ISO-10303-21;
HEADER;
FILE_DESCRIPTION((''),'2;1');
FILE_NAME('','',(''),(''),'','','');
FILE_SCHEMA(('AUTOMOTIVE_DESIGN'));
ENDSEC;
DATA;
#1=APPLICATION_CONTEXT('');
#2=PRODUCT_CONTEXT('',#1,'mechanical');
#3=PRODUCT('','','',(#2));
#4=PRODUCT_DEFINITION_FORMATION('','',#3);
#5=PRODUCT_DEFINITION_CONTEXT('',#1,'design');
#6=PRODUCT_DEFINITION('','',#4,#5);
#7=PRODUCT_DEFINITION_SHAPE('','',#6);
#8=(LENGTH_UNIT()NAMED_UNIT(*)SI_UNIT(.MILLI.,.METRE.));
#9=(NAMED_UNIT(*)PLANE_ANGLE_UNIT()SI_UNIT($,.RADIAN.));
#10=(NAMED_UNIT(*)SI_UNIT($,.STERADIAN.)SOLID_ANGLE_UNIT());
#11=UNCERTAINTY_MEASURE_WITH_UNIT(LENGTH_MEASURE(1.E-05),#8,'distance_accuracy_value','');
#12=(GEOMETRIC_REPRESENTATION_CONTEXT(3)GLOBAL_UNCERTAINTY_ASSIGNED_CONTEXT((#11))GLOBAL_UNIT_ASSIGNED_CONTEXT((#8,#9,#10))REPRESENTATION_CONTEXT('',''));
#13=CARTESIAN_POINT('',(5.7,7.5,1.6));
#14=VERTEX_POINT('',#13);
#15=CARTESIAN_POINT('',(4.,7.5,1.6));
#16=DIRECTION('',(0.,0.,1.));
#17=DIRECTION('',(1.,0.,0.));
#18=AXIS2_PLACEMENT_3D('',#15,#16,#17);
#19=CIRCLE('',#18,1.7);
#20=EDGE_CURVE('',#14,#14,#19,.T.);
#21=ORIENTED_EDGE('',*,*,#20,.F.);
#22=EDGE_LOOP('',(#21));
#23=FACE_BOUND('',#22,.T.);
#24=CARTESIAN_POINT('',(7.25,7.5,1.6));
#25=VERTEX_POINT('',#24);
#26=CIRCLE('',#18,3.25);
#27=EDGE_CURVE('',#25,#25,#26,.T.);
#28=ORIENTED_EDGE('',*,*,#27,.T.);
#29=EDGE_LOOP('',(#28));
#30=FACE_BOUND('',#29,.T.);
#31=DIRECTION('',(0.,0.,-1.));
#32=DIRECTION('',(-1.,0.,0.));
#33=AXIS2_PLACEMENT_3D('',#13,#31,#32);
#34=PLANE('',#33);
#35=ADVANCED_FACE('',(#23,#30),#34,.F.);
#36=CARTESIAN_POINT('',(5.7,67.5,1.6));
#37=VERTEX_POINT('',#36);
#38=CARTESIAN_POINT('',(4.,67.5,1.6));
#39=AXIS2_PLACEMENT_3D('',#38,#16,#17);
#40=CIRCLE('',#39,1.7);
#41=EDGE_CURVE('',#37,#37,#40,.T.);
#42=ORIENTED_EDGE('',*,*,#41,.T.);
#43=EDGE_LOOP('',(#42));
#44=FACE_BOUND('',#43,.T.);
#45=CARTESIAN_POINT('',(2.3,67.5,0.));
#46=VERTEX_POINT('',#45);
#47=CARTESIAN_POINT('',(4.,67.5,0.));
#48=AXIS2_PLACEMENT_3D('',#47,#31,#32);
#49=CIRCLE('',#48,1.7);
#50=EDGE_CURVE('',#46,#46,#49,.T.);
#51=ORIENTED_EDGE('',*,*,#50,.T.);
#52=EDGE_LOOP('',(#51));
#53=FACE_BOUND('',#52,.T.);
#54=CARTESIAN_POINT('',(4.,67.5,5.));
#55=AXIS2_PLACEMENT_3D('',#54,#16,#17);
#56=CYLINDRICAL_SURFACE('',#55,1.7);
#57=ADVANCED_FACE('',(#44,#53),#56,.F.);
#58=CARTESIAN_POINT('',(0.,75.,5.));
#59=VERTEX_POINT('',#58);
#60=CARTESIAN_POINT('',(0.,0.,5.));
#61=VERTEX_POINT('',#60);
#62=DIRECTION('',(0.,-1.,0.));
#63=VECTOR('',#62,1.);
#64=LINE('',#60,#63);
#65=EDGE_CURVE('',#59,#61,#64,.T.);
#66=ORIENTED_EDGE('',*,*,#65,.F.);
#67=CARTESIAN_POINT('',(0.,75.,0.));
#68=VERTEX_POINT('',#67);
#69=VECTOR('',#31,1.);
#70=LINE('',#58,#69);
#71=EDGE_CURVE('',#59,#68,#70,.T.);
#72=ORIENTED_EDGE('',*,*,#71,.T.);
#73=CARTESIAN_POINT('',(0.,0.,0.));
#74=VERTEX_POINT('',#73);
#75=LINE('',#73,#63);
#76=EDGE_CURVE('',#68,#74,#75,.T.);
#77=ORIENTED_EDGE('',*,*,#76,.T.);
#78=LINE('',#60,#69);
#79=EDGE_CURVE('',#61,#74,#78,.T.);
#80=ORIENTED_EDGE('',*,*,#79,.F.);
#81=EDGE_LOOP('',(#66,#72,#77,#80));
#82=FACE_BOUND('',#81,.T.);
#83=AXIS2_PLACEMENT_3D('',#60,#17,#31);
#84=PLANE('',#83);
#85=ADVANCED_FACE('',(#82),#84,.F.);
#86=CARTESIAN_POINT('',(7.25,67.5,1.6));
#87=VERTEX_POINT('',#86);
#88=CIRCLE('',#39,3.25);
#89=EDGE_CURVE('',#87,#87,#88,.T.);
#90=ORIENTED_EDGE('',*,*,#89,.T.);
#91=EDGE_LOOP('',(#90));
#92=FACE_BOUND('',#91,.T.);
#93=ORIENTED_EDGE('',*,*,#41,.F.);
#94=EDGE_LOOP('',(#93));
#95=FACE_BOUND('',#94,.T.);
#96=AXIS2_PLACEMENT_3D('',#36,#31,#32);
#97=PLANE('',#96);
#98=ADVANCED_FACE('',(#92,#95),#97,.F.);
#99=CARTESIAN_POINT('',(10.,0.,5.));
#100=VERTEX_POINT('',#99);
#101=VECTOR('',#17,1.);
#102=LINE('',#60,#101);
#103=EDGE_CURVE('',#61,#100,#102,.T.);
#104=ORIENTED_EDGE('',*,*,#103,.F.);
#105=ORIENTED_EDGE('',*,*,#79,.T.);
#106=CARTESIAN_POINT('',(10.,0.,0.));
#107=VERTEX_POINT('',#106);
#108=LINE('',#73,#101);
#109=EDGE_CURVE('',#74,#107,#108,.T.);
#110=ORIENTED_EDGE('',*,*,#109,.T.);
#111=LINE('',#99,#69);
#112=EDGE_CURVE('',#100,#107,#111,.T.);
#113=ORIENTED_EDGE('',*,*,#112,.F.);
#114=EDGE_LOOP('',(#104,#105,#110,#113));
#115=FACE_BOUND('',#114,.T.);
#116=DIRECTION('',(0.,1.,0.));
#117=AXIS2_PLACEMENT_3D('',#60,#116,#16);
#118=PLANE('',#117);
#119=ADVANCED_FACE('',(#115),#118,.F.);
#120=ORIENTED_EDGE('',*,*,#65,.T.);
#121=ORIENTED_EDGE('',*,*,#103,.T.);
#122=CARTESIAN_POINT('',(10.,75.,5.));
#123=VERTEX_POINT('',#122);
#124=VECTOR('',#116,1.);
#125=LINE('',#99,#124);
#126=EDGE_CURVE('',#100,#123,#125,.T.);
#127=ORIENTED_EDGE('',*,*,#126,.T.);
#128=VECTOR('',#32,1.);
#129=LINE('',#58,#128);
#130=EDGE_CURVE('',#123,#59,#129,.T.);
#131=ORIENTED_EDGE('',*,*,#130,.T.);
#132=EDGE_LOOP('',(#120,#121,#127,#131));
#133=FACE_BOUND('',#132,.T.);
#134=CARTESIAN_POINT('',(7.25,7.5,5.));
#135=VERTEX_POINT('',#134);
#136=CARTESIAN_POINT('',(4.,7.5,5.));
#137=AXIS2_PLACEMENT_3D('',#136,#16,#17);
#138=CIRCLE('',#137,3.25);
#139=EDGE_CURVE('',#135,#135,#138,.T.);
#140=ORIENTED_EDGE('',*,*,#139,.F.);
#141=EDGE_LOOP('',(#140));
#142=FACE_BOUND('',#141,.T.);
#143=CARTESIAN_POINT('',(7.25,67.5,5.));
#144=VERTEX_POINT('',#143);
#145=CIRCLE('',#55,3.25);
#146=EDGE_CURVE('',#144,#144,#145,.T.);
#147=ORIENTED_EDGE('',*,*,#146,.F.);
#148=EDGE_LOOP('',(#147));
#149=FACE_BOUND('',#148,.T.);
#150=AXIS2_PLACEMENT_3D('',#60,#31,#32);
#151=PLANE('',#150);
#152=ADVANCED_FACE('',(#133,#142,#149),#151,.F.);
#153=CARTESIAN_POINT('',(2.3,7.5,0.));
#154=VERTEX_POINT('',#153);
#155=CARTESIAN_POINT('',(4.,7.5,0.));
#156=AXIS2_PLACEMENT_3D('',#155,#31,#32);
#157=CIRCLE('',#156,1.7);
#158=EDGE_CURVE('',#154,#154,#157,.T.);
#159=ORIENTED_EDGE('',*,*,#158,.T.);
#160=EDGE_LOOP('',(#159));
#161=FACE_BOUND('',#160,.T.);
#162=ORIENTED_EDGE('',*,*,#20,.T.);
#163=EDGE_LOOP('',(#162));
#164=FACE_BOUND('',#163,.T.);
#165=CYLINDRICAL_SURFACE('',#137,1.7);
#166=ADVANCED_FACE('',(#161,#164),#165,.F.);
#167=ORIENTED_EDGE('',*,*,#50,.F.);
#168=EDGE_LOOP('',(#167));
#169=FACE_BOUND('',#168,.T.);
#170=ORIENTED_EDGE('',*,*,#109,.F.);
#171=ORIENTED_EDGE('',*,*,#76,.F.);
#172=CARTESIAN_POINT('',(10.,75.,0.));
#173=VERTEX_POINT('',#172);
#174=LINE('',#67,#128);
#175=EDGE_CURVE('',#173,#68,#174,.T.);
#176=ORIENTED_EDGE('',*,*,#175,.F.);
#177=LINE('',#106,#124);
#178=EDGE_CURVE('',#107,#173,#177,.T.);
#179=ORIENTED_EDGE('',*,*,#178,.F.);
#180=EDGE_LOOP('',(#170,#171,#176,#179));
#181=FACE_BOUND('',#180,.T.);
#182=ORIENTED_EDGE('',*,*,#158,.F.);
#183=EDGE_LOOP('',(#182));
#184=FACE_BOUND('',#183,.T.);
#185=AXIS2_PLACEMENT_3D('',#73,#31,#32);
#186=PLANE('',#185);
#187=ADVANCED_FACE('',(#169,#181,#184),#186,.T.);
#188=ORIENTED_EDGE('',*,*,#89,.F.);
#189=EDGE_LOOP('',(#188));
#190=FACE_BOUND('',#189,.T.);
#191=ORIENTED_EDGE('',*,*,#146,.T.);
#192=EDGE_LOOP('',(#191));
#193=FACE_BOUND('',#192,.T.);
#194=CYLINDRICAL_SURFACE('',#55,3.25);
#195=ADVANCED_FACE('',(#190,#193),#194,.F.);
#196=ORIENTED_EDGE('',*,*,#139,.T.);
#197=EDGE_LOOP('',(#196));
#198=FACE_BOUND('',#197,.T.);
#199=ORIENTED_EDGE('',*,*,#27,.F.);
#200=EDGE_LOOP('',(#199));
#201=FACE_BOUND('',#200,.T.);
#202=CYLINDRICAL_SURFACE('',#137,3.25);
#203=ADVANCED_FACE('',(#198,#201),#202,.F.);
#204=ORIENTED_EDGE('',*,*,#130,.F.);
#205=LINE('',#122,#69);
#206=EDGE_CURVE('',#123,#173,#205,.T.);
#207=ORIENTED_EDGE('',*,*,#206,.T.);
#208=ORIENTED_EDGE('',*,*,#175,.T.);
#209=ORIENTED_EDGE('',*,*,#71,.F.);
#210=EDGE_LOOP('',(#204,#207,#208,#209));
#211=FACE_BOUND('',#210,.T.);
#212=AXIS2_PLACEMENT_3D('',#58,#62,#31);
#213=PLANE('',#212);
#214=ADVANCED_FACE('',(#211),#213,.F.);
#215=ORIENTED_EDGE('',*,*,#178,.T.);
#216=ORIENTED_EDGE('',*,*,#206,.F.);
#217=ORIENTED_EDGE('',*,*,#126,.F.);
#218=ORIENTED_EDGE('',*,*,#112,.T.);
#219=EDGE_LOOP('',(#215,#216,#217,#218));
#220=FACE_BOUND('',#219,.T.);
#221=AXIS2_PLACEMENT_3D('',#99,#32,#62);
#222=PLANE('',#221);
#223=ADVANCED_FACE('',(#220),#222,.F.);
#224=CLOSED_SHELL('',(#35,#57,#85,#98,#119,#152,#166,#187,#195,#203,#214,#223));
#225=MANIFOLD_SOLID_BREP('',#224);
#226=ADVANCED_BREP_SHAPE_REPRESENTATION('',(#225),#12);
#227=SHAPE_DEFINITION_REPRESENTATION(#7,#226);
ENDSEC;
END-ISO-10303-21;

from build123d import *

# Parameters (mm, degrees)
SKETCH_1_W                   = 10
SKETCH_1_H                   = 75
EXTRUDE_1_DEPTH              = 5
HOLE_WIZARD_M3_1_D           = 3.4
HOLE_WIZARD_M3_1_DEPTH       = 10.1
HOLE_WIZARD_M3_1_CBORE_D     = 6.5
HOLE_WIZARD_M3_1_CBORE_DEPTH = 3.4
HOLE_WIZARD_M3_1_TIP         = 1.021463052


with BuildPart() as part:
    # 草图1 → 凸台-拉伸1 (new body)
    with BuildSketch(Plane.XY):
        with Locations((5, 37.5)):
            Rectangle(SKETCH_1_W, SKETCH_1_H)
    extrude(amount=EXTRUDE_1_DEPTH)

    # M3 六角凹头螺钉的柱形沉头孔1
    with Locations(Plane.XY.offset(5)):
        with Locations((4, 67.5), (4, 7.5)):
            CounterBoreHole(HOLE_WIZARD_M3_1_D / 2, HOLE_WIZARD_M3_1_CBORE_D / 2, HOLE_WIZARD_M3_1_CBORE_DEPTH, depth=HOLE_WIZARD_M3_1_DEPTH)
            with Locations((0, 0, -(HOLE_WIZARD_M3_1_DEPTH + HOLE_WIZARD_M3_1_TIP / 2))):  # 118° drill point
                Cone(0, HOLE_WIZARD_M3_1_D / 2, HOLE_WIZARD_M3_1_TIP, mode=Mode.SUBTRACT)


solid = part.part
